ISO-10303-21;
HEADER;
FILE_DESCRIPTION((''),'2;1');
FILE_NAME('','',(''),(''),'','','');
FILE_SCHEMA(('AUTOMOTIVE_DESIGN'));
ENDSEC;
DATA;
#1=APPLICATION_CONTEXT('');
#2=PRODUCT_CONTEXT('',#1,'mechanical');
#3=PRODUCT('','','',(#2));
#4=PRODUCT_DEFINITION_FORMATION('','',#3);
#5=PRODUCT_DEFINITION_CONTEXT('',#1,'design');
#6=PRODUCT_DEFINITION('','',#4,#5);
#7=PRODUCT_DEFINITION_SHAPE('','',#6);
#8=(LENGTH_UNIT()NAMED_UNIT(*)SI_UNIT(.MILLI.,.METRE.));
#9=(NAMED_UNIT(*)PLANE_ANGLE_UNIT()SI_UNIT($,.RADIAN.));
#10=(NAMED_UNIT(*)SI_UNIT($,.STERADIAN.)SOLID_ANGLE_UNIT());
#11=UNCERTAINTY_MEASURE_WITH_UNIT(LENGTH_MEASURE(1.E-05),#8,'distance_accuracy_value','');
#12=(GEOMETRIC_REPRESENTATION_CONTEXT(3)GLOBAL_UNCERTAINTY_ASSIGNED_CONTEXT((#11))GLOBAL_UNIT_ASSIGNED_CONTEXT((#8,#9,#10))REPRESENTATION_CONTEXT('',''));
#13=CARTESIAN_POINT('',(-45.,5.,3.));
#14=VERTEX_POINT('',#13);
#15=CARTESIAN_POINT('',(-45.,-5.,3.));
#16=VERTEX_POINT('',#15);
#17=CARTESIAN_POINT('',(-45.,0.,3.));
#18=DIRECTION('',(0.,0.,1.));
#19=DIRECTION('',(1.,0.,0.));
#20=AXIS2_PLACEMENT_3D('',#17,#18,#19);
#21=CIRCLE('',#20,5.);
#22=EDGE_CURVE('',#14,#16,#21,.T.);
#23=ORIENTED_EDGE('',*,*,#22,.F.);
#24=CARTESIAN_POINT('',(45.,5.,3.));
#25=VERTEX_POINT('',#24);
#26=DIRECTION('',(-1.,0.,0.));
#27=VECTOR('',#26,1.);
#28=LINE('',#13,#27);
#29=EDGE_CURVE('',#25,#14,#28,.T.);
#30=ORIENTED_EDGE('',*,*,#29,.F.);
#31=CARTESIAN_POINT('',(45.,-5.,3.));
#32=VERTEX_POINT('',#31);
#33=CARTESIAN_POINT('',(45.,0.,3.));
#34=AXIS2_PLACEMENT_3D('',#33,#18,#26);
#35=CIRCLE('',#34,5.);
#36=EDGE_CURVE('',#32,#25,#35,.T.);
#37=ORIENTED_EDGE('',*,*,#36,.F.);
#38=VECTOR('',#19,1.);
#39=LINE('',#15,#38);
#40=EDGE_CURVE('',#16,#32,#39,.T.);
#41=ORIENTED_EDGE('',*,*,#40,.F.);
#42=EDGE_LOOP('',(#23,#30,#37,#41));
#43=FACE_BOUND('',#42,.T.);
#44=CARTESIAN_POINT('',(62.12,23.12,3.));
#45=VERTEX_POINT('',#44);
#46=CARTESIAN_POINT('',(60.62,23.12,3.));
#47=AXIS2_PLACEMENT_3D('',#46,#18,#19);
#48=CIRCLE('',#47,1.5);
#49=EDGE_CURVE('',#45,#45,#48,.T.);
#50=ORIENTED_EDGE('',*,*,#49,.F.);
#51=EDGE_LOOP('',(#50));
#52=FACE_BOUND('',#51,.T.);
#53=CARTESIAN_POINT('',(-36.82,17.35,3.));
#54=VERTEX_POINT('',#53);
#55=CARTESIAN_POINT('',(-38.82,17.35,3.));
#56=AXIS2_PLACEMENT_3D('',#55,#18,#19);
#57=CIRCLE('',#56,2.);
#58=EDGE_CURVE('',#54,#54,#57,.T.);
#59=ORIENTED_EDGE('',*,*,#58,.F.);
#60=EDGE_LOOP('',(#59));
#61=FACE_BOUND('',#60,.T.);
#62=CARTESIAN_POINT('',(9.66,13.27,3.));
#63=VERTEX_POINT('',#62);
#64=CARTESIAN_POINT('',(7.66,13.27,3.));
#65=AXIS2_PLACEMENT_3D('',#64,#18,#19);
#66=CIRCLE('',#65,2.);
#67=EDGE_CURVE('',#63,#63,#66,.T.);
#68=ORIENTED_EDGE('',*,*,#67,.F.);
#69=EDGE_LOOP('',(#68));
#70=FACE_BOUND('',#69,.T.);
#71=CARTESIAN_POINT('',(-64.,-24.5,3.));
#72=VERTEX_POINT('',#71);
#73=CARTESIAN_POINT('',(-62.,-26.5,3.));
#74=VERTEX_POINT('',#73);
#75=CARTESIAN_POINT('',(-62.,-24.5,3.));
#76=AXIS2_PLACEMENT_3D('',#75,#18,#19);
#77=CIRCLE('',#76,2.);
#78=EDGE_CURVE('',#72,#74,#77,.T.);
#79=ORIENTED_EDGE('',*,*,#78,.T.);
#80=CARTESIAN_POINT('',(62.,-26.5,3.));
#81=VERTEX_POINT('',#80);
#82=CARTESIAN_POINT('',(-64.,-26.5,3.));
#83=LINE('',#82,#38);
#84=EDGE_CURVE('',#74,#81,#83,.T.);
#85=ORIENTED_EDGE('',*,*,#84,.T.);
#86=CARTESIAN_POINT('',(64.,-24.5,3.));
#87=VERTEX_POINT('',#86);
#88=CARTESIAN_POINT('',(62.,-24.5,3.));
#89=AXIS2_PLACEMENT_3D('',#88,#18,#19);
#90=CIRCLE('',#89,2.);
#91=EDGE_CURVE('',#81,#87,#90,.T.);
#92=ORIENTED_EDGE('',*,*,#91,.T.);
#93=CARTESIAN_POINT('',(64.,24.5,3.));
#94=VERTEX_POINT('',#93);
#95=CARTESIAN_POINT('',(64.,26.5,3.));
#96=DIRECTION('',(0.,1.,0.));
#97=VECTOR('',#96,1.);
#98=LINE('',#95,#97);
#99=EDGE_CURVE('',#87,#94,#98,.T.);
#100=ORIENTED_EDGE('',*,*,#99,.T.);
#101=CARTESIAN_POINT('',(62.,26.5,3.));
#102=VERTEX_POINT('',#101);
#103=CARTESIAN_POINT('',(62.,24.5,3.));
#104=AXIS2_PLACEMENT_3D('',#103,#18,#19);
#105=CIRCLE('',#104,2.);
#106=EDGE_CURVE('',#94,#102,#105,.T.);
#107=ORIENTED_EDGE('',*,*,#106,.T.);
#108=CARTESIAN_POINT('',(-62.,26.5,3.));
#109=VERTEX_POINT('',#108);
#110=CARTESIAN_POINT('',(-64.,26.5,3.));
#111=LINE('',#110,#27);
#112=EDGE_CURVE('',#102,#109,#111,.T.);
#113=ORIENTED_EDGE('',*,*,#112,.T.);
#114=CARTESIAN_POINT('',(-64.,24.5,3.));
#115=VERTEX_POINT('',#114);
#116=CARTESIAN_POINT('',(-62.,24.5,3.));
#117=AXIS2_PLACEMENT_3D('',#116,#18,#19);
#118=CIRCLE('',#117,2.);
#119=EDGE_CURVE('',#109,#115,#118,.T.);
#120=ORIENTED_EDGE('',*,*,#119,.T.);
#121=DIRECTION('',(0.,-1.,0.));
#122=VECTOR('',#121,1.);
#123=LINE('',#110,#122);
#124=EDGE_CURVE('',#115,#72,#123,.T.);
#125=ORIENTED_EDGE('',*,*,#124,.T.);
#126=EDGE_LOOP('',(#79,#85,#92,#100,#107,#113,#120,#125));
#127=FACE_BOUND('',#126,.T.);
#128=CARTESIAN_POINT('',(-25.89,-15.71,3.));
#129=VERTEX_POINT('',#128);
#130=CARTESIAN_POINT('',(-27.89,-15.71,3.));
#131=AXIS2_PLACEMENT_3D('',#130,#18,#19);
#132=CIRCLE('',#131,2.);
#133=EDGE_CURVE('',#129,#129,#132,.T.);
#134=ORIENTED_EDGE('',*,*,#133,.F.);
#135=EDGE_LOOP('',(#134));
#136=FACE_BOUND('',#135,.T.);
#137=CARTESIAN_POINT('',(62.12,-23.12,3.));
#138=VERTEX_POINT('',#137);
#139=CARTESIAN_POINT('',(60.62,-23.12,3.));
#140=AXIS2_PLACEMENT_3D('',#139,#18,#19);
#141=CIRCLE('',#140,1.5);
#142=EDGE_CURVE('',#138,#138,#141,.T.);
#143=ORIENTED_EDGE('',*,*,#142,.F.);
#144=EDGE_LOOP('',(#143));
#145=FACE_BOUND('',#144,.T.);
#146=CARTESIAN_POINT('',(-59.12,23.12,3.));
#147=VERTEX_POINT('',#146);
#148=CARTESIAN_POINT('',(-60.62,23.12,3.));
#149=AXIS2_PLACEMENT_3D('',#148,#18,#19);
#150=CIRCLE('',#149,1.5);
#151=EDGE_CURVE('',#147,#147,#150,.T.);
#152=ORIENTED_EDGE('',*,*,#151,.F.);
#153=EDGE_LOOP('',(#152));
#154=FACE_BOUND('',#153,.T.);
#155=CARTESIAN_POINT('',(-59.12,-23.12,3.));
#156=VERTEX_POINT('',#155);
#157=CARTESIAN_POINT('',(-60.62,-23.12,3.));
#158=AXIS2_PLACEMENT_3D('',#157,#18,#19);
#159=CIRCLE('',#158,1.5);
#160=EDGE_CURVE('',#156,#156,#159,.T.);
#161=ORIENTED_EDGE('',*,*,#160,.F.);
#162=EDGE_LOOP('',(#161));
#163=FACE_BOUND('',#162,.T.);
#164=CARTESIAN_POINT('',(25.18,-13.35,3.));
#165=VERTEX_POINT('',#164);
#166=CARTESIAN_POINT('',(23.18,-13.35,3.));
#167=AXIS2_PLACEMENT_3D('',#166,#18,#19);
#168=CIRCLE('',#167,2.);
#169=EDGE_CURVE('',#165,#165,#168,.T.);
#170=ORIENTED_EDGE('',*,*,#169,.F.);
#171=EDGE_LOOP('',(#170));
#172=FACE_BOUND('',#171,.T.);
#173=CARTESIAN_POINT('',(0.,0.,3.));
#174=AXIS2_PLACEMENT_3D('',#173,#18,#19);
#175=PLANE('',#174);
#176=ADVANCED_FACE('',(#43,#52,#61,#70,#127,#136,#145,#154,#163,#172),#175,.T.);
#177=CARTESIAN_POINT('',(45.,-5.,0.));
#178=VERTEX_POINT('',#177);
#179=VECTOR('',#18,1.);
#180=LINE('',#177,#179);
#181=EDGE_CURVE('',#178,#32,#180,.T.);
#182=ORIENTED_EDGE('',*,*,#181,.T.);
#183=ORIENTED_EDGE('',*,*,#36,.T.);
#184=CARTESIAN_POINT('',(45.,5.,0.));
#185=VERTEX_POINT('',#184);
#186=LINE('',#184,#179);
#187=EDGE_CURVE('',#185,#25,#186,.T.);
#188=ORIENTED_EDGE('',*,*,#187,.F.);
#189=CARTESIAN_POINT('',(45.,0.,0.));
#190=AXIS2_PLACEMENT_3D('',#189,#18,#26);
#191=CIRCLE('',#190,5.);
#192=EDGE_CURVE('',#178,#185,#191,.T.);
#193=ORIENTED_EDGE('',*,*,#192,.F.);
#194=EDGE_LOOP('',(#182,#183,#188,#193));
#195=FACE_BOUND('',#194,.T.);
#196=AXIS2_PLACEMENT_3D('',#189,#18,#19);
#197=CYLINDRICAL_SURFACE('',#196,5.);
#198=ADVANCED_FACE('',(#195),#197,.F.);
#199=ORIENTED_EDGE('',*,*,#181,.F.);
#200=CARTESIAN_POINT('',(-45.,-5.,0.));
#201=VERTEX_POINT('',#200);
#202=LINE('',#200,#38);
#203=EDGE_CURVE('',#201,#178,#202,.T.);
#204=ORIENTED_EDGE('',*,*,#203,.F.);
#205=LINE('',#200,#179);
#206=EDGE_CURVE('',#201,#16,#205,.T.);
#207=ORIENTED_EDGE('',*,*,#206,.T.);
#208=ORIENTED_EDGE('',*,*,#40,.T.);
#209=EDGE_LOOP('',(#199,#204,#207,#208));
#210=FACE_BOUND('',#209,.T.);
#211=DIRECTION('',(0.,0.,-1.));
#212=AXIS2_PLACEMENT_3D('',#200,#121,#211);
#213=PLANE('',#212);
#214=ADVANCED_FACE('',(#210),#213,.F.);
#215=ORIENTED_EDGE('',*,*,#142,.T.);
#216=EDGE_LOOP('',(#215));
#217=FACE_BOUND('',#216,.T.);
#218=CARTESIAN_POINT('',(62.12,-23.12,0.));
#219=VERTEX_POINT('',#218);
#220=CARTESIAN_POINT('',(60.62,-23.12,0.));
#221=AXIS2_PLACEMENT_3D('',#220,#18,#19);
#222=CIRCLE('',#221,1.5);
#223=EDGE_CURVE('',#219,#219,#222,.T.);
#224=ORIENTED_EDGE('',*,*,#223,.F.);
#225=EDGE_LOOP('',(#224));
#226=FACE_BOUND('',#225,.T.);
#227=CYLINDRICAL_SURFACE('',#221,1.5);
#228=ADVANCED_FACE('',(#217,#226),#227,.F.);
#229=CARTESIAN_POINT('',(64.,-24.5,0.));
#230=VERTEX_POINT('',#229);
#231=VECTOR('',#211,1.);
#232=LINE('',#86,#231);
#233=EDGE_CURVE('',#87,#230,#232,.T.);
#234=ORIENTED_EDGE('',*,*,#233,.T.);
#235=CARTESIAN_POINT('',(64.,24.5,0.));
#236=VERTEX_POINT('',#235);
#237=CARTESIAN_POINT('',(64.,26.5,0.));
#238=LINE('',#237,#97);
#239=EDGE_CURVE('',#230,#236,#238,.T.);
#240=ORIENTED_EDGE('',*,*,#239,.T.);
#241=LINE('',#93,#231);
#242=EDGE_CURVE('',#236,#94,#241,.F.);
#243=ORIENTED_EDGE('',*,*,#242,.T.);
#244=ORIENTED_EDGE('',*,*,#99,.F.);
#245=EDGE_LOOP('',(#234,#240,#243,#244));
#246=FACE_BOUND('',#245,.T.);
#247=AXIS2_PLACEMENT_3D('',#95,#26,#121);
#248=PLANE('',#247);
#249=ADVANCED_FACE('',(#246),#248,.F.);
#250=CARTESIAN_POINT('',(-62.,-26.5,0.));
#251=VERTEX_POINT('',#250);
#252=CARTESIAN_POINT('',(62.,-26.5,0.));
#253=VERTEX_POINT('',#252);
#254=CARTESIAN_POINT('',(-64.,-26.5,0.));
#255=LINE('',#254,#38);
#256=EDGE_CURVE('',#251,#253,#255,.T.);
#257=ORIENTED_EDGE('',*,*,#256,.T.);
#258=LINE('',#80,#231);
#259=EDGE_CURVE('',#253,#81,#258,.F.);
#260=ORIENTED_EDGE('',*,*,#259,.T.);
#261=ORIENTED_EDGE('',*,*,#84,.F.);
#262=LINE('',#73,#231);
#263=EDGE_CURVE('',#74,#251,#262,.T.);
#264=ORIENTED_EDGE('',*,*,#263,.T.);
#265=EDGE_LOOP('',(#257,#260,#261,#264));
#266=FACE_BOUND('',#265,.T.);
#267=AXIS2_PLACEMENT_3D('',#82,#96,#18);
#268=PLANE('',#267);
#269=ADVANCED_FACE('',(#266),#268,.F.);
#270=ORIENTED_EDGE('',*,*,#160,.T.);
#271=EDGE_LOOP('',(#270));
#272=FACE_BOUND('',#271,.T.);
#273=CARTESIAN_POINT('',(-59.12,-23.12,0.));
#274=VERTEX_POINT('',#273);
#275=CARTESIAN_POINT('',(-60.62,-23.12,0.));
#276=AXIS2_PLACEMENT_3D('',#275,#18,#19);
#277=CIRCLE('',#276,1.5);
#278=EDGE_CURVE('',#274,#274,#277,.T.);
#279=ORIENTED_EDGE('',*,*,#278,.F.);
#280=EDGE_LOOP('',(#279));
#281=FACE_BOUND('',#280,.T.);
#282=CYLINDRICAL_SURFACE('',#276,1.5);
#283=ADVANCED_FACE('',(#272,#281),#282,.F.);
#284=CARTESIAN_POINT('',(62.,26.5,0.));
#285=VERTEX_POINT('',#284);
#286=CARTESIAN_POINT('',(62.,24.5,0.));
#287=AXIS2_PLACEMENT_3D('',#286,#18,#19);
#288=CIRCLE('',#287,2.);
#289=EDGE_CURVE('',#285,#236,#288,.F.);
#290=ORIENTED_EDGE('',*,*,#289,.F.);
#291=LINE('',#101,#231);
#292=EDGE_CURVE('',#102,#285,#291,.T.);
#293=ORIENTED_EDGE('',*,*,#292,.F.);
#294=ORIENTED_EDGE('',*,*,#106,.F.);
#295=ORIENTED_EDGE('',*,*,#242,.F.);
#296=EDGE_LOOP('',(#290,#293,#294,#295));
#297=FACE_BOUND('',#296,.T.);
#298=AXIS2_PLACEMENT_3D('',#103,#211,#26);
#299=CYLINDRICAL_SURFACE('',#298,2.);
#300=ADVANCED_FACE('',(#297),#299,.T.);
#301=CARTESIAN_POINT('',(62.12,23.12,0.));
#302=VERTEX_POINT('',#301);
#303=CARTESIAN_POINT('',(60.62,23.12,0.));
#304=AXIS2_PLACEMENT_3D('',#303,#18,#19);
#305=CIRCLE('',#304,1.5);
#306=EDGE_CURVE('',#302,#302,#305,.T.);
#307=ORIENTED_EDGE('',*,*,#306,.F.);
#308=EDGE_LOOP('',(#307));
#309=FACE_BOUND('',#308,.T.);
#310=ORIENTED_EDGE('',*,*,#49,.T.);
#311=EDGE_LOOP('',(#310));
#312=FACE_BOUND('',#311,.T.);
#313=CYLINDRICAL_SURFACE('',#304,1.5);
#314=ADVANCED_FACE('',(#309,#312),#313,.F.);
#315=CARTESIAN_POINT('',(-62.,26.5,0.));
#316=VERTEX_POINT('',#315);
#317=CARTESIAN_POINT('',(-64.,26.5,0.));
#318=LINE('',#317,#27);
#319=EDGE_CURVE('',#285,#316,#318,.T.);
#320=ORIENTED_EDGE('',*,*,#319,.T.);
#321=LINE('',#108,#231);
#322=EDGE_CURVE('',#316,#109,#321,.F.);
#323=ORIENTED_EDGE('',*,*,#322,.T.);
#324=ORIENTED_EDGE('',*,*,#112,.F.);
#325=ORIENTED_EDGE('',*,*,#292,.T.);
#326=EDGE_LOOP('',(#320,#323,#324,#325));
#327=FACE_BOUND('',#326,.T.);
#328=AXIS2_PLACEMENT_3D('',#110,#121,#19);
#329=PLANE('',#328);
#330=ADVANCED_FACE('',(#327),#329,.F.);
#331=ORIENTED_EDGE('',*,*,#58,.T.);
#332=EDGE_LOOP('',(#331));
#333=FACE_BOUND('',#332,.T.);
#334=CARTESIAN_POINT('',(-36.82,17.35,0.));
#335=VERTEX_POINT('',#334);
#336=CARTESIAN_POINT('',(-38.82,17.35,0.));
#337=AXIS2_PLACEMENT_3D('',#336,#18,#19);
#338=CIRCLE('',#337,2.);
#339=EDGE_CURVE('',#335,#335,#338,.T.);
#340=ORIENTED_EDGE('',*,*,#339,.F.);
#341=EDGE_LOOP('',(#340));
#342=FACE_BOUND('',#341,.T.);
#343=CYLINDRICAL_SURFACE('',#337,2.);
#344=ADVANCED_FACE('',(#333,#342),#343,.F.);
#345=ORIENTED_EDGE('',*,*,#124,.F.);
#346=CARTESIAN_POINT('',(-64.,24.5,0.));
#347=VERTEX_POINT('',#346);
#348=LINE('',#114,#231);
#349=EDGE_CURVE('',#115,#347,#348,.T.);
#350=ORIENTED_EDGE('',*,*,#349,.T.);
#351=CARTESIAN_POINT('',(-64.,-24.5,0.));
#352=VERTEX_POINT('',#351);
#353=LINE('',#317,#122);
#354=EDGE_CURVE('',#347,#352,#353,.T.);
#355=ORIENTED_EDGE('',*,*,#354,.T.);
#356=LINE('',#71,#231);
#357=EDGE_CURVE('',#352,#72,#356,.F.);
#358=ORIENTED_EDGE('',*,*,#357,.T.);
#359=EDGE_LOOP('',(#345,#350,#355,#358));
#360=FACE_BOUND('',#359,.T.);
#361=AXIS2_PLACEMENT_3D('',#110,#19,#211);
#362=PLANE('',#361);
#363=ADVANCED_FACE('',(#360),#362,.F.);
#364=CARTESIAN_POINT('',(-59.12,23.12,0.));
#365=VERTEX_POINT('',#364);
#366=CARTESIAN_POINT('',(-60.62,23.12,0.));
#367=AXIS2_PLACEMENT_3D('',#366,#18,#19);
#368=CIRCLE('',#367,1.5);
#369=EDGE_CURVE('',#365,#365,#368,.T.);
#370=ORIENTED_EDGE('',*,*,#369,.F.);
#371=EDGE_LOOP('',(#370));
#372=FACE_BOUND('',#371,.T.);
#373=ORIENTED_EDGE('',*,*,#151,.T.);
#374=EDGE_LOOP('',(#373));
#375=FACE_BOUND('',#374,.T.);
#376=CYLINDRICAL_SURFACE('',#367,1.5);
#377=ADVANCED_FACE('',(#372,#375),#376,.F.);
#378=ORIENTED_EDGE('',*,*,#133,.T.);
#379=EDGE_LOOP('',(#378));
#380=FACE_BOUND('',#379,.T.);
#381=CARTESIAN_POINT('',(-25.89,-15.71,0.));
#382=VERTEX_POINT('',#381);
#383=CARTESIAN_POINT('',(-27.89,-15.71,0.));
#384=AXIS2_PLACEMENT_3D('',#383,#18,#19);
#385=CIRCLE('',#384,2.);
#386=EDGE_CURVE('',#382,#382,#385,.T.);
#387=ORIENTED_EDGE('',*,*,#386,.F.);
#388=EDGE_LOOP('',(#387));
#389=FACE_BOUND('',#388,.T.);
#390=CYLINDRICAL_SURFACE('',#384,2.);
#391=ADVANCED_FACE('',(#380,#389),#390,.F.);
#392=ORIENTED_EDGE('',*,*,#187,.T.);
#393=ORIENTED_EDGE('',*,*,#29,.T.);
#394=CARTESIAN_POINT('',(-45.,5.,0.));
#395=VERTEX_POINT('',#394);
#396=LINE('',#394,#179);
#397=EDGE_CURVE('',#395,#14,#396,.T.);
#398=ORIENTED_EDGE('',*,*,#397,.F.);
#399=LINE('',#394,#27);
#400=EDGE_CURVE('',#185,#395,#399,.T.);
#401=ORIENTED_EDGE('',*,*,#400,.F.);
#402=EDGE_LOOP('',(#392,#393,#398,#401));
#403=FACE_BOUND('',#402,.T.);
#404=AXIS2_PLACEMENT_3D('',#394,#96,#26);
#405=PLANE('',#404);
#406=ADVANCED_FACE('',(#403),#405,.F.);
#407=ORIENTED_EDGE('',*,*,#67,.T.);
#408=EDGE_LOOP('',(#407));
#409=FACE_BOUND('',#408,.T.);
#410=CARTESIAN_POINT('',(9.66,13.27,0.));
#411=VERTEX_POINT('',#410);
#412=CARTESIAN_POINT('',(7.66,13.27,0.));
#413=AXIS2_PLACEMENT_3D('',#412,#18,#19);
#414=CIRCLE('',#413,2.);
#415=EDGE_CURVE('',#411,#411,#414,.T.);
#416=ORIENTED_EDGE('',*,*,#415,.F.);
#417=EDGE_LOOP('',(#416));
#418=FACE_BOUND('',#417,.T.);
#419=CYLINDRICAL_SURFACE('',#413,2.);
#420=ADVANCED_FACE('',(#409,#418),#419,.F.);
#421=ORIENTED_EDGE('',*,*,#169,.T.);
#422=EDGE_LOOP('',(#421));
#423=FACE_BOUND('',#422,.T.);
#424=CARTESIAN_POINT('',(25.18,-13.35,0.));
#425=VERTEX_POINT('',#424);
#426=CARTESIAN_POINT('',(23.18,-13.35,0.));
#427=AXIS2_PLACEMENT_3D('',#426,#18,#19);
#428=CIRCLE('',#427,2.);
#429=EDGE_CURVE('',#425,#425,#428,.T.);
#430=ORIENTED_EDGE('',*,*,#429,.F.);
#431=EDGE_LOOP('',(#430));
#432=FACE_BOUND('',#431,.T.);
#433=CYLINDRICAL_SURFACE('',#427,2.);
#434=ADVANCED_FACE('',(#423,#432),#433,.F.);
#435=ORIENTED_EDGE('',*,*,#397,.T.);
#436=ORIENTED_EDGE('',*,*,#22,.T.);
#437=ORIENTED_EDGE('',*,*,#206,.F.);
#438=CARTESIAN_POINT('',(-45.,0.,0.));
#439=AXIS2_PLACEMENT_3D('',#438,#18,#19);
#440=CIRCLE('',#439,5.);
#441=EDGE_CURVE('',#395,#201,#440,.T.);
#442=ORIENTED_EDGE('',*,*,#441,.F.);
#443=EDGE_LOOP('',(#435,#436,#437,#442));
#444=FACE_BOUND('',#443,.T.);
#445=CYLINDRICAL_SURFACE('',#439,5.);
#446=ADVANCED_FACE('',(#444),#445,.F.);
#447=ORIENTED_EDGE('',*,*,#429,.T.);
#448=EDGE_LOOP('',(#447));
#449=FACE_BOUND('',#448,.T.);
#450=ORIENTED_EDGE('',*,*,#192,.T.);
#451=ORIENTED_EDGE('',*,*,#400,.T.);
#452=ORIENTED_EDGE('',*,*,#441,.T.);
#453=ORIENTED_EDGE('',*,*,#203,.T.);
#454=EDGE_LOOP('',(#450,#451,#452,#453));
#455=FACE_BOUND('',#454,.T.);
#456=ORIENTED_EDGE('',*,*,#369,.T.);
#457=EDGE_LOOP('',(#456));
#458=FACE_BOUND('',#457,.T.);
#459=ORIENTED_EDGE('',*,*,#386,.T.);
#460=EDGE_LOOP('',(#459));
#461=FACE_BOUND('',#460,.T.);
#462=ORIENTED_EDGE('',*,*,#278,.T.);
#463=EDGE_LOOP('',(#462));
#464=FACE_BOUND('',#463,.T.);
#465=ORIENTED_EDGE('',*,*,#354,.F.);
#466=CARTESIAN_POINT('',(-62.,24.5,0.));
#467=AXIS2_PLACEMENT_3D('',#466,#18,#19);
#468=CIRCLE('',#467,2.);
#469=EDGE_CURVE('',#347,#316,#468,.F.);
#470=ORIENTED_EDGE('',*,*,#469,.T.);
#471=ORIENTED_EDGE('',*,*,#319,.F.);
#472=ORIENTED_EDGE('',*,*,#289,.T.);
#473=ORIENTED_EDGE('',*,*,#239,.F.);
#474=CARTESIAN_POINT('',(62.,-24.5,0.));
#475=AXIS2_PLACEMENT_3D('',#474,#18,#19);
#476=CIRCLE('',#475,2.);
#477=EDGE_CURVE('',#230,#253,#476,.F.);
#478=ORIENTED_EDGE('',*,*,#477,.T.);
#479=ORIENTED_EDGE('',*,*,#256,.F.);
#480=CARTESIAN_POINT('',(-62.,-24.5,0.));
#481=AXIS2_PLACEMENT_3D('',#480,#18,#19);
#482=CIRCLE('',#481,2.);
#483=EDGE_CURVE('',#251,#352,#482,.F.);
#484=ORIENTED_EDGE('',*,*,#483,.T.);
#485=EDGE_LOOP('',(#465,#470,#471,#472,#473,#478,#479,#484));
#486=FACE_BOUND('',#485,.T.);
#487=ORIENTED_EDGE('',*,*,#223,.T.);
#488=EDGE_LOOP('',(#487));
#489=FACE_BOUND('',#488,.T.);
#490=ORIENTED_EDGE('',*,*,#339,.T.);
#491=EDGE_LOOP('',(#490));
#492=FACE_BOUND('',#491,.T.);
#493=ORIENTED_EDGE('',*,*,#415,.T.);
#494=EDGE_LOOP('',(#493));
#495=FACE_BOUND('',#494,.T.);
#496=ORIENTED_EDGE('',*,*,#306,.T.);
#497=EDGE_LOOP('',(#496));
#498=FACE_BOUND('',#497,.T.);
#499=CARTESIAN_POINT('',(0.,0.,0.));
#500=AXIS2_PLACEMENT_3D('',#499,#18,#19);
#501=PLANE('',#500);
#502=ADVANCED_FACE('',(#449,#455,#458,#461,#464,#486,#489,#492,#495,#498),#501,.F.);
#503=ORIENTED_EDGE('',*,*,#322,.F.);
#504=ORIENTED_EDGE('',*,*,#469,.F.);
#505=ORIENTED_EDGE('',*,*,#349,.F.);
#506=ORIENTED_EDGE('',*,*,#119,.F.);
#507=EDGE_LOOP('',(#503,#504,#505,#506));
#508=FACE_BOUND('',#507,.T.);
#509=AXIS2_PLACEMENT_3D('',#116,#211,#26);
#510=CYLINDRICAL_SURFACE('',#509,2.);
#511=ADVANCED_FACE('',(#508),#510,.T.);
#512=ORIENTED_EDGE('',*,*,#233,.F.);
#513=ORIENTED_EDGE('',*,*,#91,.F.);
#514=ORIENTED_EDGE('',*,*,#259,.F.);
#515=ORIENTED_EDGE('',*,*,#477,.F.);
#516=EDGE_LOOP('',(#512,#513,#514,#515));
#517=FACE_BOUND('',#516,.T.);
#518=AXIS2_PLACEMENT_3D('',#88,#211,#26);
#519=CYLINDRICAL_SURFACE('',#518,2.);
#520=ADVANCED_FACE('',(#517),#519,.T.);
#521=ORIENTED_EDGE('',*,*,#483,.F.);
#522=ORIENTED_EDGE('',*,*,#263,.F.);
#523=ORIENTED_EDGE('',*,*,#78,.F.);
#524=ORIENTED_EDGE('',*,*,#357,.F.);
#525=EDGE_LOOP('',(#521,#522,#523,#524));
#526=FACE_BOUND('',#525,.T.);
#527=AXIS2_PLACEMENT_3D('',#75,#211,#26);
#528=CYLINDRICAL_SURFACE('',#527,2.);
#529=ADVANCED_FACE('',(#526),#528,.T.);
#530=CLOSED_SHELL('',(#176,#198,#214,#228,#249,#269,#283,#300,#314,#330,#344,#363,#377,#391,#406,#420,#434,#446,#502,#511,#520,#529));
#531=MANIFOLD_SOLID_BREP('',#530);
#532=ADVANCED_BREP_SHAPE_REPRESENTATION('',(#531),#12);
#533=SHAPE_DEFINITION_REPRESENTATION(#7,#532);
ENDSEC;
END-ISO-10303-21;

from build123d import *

# Parameters (mm, degrees)
ESQUISSE1_W             = 128
ESQUISSE1_H             = 53
BOSS_EXTRU_1_DEPTH      = 3
ESQUISSE2_R             = 2
ENL_V_MAT_EXTRU_1_DEPTH = 3
ENL_V_MAT_EXTRU_2_DEPTH = 3
ESQUISSE5_R             = 1.5
ENL_V_MAT_EXTRU_3_DEPTH = 3
CONG_1_R                = 2


with BuildPart() as part:
    # Esquisse1 → Boss.-Extru.1 (new body)
    with BuildSketch(Plane.XY):
        Rectangle(ESQUISSE1_W, ESQUISSE1_H)
    extrude(amount=BOSS_EXTRU_1_DEPTH)

    # Esquisse2 → Enlèv. mat.-Extru.1 (cut)
    with BuildSketch(Plane.XY.offset(3)):
        with Locations((-38.82, 17.35)):
            Circle(ESQUISSE2_R)
        with Locations((7.66, 13.27)):
            Circle(ESQUISSE2_R)
        with Locations((-27.89, -15.71)):
            Circle(ESQUISSE2_R)
        with Locations((23.18, -13.35)):
            Circle(ESQUISSE2_R)
    extrude(amount=-ENL_V_MAT_EXTRU_1_DEPTH, mode=Mode.SUBTRACT)

    # Esquisse3 → Enlèv. mat.-Extru.2 (cut)
    with BuildSketch(Plane.XY.offset(3)):
        with BuildLine():
            Line((-45.000000383, 5), (45.000000383, 5))
            ThreePointArc((45.000000383, 5), (50.000000383, 0), (45.000000383, -5))
            Line((45.000000383, -5), (-44.999999617, -5))
            ThreePointArc((-44.999999617, -5), (-49.999999617, -3.83e-07), (-45.000000383, 5))
        make_face()
    extrude(amount=-ENL_V_MAT_EXTRU_2_DEPTH, mode=Mode.SUBTRACT)

    # Esquisse5 → Enlèv. mat.-Extru.3 (cut)
    with BuildSketch(Plane.XY.offset(3)):
        with Locations((-60.62, 23.12)):
            Circle(ESQUISSE5_R)
        with Locations((60.62, 23.12)):
            Circle(ESQUISSE5_R)
        with Locations((-60.62, -23.12)):
            Circle(ESQUISSE5_R)
        with Locations((60.62, -23.12)):
            Circle(ESQUISSE5_R)
    extrude(amount=-ENL_V_MAT_EXTRU_3_DEPTH, mode=Mode.SUBTRACT)

    # Congé1
    cong_1_edges = [part.edges().sort_by_distance(p)[0] for p in [
        (-64, 26.5, 1.5),
        (64, 26.5, 1.5),
        (64, -26.5, 1.5),
        (-64, -26.5, 1.5),
    ]]
    fillet(cong_1_edges, radius=CONG_1_R)


solid = part.part
